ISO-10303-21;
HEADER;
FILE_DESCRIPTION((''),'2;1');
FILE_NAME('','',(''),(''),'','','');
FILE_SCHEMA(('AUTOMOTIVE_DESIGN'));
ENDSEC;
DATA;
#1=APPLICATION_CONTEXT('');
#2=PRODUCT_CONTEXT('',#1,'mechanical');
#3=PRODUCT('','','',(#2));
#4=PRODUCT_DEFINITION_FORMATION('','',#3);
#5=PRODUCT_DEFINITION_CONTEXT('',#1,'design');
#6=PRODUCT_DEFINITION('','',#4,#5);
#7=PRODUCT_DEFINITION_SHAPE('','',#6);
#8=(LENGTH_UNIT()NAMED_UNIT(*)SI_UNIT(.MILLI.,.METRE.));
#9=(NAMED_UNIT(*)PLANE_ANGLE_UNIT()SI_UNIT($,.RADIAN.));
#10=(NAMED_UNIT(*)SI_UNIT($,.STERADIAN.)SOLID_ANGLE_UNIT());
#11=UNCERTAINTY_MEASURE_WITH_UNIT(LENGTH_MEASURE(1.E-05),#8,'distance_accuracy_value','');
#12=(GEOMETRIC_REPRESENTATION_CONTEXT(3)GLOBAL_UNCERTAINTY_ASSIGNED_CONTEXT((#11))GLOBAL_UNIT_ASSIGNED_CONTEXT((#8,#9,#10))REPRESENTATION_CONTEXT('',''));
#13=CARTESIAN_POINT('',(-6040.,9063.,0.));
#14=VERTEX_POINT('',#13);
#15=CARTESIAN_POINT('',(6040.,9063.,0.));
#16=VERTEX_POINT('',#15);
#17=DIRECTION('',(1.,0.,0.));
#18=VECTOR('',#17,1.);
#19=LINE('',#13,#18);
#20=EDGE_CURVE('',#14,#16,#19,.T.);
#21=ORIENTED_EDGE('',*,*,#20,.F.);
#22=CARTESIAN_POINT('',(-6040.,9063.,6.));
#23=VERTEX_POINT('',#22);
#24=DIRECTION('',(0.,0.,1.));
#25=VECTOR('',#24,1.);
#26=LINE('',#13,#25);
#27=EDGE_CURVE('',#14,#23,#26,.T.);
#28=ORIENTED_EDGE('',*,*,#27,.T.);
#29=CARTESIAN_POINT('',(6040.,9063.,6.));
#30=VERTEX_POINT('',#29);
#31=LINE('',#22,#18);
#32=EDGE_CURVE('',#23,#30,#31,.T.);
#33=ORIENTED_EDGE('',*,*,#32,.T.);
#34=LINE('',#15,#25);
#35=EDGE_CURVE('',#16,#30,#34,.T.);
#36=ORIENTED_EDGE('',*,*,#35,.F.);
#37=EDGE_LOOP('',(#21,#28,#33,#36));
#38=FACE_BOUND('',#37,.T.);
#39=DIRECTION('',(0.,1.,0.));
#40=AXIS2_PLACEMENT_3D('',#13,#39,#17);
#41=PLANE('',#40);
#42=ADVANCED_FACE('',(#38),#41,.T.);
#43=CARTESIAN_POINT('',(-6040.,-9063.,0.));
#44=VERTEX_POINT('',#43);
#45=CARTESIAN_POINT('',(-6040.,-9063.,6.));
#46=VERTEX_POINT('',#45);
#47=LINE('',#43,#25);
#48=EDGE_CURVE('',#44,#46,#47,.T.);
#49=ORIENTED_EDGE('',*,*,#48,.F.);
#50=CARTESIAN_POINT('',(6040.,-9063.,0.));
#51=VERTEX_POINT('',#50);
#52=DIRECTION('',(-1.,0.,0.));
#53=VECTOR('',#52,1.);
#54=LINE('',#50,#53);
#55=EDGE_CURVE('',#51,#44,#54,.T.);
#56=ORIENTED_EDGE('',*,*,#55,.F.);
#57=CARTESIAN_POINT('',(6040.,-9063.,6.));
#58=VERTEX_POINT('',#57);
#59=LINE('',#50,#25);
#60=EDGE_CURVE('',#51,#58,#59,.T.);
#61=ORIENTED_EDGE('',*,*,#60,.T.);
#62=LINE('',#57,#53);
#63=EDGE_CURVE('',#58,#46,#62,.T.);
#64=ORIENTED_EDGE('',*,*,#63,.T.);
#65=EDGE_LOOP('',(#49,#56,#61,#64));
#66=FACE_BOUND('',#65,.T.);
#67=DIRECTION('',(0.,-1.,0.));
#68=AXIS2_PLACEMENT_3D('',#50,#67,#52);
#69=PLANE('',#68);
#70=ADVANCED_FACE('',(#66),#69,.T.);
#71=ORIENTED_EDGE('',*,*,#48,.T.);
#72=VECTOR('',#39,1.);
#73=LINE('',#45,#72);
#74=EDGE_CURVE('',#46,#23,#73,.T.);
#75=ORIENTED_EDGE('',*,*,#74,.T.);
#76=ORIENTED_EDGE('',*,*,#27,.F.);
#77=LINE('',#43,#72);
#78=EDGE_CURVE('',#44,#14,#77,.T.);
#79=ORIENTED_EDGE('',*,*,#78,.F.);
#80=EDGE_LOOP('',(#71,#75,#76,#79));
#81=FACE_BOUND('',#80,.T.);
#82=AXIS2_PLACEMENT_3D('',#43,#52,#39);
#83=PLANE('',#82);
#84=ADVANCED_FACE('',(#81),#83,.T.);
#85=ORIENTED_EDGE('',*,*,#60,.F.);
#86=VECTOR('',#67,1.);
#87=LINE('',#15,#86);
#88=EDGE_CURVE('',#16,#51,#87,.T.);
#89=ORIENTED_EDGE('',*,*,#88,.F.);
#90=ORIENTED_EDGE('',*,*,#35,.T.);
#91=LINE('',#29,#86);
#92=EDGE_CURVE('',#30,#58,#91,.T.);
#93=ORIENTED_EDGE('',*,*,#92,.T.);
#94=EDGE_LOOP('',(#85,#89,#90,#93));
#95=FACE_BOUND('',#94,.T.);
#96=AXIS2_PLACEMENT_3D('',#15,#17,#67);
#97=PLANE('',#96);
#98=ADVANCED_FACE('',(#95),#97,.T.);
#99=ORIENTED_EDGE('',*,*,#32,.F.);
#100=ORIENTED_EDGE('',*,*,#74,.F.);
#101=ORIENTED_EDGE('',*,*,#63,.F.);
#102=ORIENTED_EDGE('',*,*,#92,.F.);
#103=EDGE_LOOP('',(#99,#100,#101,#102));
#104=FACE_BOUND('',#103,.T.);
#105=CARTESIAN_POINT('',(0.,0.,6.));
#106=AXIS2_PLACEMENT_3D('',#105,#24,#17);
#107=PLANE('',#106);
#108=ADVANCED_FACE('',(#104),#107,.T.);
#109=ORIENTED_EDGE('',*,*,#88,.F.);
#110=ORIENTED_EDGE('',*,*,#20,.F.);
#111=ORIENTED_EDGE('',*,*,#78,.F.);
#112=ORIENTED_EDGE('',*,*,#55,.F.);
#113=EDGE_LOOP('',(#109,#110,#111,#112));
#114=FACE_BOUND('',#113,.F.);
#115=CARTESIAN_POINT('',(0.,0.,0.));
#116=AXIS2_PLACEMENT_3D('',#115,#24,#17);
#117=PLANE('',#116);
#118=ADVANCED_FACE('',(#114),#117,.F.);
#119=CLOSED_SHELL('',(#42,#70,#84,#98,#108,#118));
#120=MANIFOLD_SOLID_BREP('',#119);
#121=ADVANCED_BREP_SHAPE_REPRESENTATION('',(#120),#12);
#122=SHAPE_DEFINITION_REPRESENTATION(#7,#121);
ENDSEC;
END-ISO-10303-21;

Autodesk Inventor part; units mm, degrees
ref_plane "YZ Plane" through (0, 0, 0) normal (1, 0, 0) x (0, 1, 0)
ref_plane "XZ Plane" through (0, 0, 0) normal (0, 1, 0) x (-1, 0, 0)
ref_plane "XY Plane" through (0, 0, 0) normal (0, 0, 1) x (1, 0, 0)
sketch "Sketch1" plane through (0, 0, 0) normal (0, 0, 1) x (1, 0, 0)
  line L0 (6040, -9063) -> (-6040, -9063)
  line L1 (-6040, -9063) -> (-6040, 9063)
  line L2 (-6040, 9063) -> (6040, 9063)
  line L3 (6040, 9063) -> (6040, -9063)
  line L4 (6040, -9063) -> (-6040, 9063) construction
  line L5 (-6040, -9063) -> (6040, 9063) construction
  point P0 (0, 0)
  dimension "d0" = 12080
  dimension "d1" = 18126
extrude "Plate1" add sketch "Sketch1" along normal blind 6
sketch "Эскиз7" plane through (0, 0, 6) normal (0, 0, 1) x (1, 0, 0)
  line L0 (6040, 9063) -> (6040, -9063) projected
  line L1 (-6040, 9063) -> (6040, 9063) projected
  line L2 (-6040, -9063) -> (-6040, 9063) projected
  line L3 (6040, -9063) -> (-6040, -9063) projected
  line L4 (6040, 6088) -> (6040, 9063)
  line L5 (5840, -8863) -> (5840, 8863) construction
  line L6 (5840, 8863) -> (-5840, 8863) construction
  line L7 (-5840, 8863) -> (-5840, -8863) construction
  line L8 (-5840, -8863) -> (5840, -8863) construction
  point P0 (0, 0)
  dimension "d136" = 200
equation "\"d2\" = Thickness"
equation "\"BendRadius\" = Thickness"
equation "\"BendReliefWidth\" = Thickness"
equation "\"BendReliefDepth\" = 0.5 * Thickness"
equation "\"CornerReliefSize\" = 4 * Thickness"
equation "\"MinimumRemnant\" = 2 * Thickness"
equation "\"TransitionRadius\" = BendRadius"
equation "\"JacobiRadiusSize\" = BendRadius"
equation "\"GapSize\" = Thickness"
equation "\"Thickness\" = 6"
properties part number "GBK bottom"
